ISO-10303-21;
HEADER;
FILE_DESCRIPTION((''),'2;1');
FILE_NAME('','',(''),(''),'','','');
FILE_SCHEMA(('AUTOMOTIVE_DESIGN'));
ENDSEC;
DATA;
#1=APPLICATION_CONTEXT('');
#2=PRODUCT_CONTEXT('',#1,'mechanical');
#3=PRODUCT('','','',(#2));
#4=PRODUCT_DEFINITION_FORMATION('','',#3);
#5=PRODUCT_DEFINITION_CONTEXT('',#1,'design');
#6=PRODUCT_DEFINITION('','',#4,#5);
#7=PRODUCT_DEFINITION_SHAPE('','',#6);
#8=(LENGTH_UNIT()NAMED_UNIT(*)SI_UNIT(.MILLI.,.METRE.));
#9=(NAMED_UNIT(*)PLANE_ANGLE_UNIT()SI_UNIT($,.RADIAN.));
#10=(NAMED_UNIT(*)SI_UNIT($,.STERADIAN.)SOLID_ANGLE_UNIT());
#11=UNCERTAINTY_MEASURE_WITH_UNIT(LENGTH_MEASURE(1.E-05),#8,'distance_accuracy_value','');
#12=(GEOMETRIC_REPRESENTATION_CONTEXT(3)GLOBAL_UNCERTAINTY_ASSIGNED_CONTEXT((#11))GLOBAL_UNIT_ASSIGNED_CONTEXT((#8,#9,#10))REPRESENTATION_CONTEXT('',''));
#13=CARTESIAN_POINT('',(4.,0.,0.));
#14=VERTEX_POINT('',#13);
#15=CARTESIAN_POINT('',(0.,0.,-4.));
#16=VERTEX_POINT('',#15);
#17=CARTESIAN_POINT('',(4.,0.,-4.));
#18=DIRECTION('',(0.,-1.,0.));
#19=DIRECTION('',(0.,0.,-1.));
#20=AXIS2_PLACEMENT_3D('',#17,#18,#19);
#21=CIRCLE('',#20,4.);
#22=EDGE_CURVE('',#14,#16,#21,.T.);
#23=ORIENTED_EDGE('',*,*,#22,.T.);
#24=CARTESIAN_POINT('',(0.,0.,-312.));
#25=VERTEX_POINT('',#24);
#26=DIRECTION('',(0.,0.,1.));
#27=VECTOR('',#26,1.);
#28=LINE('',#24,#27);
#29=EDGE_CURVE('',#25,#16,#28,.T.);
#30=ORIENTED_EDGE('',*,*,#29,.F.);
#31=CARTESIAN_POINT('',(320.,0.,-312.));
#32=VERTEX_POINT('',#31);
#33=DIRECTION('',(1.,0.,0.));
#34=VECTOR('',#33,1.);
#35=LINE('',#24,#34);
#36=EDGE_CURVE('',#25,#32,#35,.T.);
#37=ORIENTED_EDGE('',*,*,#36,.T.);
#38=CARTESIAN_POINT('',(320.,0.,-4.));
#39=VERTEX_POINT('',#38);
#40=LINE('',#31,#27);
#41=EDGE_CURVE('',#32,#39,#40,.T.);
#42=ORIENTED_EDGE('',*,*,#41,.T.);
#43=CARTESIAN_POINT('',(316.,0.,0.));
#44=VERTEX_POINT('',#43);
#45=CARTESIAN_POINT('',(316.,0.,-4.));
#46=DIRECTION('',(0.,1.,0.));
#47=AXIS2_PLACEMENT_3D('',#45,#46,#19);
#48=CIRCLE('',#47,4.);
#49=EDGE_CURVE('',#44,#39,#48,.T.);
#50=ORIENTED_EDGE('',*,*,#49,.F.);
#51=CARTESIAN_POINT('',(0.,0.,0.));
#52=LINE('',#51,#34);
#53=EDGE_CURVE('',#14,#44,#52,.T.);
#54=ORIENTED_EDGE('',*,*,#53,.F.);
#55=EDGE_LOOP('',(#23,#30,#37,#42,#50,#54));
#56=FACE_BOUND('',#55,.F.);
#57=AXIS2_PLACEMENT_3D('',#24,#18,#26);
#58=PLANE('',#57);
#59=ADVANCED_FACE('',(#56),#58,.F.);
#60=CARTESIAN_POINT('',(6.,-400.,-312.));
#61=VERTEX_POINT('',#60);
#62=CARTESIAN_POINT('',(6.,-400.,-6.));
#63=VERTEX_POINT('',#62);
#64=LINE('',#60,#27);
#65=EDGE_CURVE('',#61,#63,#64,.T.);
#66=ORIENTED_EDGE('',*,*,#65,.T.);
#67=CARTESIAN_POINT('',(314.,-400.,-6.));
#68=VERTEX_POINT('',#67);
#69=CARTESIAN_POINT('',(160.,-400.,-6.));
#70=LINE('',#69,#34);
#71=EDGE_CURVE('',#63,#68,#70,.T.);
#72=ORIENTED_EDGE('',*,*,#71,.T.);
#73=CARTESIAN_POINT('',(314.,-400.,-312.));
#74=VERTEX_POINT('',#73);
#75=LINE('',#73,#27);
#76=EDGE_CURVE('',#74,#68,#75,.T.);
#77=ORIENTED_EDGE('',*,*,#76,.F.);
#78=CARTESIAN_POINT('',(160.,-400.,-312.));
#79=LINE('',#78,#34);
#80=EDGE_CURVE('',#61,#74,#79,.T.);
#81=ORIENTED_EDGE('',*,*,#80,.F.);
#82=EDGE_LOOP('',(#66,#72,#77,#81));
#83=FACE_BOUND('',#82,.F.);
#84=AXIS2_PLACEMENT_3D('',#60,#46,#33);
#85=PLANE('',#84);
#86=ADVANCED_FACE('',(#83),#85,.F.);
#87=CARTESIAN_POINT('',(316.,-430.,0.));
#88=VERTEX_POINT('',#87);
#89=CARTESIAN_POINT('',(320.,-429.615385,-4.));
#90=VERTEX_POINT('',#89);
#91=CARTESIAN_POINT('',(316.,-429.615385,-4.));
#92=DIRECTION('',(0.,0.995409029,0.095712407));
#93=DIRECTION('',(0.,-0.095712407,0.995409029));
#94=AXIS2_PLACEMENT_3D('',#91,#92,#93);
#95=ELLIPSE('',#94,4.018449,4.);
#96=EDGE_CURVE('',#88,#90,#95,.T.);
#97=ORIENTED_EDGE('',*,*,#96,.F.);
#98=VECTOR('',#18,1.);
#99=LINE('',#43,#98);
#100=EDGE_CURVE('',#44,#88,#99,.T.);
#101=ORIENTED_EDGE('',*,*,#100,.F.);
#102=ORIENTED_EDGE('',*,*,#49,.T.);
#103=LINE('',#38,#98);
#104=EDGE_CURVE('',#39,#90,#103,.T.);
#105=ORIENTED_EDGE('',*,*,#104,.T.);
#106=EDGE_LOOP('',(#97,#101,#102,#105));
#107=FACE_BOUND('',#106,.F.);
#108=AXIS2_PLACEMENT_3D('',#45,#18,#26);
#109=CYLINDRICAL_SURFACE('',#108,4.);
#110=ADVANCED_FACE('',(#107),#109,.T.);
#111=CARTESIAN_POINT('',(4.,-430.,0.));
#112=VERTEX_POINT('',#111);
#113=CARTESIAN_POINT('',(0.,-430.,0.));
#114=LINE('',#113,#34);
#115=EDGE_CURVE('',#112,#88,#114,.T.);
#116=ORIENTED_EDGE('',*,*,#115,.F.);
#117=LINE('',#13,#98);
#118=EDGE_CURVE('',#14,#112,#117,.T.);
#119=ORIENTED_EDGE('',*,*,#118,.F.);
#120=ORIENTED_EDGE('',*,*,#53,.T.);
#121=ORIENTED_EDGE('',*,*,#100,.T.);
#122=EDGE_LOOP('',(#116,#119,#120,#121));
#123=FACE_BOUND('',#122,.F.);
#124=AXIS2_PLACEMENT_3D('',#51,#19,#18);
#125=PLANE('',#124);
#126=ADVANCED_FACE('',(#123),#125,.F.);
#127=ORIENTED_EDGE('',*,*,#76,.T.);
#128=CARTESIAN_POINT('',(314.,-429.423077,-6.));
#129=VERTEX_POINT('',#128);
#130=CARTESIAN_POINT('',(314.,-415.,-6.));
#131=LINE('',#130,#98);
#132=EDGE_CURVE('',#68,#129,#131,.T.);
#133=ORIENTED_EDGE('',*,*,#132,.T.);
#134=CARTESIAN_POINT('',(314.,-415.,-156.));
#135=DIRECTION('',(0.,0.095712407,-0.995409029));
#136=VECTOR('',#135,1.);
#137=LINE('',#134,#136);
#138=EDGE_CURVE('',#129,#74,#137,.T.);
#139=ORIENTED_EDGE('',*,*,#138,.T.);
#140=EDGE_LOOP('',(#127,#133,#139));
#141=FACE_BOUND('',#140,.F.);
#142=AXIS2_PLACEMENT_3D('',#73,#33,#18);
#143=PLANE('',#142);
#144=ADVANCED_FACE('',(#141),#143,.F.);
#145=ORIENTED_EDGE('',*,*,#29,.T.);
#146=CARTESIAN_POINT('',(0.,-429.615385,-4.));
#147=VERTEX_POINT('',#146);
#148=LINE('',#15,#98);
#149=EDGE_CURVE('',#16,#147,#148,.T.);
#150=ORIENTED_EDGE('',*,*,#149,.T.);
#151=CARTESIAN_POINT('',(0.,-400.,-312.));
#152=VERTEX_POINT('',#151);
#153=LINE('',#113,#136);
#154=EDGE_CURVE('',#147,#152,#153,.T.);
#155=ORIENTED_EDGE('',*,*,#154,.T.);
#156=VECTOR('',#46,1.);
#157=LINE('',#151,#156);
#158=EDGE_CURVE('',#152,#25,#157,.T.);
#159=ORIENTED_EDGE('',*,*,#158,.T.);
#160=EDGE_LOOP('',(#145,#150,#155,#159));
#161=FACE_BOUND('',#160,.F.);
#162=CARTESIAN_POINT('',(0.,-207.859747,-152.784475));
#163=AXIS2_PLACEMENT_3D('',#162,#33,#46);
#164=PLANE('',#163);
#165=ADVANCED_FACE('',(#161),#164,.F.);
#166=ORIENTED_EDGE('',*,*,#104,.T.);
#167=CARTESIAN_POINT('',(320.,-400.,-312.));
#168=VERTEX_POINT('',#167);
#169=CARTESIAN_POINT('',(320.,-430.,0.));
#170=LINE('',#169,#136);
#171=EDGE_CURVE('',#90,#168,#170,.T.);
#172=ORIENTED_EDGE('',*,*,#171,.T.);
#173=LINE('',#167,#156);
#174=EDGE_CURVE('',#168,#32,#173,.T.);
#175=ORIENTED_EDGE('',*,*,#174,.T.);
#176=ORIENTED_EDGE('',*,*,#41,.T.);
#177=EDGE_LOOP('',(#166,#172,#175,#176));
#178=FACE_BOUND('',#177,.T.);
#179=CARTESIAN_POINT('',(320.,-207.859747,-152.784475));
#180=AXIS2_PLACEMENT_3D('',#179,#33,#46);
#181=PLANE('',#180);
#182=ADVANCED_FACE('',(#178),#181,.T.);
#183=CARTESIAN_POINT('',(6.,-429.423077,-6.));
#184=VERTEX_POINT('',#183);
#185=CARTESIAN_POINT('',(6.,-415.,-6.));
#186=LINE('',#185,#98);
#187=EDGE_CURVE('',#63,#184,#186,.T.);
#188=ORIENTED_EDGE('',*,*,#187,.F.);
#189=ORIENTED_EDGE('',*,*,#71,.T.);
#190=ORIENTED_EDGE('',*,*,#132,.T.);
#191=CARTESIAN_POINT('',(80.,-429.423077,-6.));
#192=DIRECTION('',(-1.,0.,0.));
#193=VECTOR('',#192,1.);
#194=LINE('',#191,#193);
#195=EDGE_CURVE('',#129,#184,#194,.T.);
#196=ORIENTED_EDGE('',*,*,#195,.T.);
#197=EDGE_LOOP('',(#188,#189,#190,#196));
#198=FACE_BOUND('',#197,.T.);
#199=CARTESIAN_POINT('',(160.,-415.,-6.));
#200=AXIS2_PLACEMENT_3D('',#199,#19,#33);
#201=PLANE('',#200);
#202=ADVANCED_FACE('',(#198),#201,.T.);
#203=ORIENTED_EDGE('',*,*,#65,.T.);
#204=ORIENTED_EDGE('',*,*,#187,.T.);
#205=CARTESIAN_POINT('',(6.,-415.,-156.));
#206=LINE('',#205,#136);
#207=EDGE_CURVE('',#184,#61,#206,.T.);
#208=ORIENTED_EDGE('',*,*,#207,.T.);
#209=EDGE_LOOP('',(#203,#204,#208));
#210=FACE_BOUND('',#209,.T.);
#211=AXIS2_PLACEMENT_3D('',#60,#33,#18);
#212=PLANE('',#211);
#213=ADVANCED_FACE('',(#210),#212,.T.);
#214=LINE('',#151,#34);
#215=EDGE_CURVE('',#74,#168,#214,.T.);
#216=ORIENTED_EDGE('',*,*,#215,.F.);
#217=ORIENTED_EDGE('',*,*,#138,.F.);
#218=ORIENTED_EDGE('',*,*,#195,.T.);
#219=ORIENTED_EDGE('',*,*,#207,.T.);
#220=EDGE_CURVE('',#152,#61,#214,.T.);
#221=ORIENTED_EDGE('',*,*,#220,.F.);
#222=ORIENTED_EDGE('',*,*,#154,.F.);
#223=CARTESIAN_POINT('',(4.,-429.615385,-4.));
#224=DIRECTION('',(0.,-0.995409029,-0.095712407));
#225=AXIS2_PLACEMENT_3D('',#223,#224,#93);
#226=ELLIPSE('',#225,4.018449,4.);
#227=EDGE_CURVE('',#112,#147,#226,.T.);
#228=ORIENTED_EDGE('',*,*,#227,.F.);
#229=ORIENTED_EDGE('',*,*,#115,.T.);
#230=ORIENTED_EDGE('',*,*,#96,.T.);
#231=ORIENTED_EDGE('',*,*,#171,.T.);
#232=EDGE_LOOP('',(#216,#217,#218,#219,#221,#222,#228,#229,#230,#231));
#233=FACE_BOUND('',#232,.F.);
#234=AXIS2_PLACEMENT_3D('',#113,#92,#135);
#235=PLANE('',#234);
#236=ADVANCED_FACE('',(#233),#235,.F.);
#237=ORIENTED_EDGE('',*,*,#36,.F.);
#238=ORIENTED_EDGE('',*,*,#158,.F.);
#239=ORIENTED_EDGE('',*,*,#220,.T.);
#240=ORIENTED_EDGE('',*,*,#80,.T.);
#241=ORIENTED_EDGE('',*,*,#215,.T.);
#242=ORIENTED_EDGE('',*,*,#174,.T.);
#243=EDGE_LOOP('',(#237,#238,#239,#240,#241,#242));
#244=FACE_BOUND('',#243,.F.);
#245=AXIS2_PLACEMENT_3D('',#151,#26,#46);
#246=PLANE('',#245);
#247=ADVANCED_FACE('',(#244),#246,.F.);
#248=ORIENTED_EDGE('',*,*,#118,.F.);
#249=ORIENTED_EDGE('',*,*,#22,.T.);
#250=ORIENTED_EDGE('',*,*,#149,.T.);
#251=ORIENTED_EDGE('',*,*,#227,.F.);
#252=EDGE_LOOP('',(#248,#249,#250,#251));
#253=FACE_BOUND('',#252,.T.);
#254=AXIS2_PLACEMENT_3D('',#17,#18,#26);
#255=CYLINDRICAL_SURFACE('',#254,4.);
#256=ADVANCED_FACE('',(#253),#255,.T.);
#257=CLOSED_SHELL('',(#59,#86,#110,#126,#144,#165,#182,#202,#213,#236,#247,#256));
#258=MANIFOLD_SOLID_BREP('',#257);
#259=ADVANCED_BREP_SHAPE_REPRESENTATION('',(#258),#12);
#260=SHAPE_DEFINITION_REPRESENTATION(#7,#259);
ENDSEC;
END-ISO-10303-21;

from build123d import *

# Parameters (mm, degrees)
F1_DEPTH = 320
F2_W     = 308
F2_H     = 30
F3_DEPTH = 306
F4_R     = 4


with BuildPart() as f1:
    # F0 (on Right) → F1 (new body)
    with BuildSketch(Plane.YZ):
        Polygon((0, -312), (0, 0), (-430, 0), (-400, -312), align=None)
    extrude(amount=F1_DEPTH)

    # F2 (on face) → F3 (cut, through all)
    with BuildSketch(Plane(origin=(0, 0, -312), x_dir=(1, 0, 0), z_dir=(0, 0, -1))):
        with Locations((160, 415)):
            Rectangle(F2_W, F2_H)
    extrude(amount=-F3_DEPTH, mode=Mode.SUBTRACT)

    # F4
    f4_edges = [f1.edges().sort_by_distance(p)[0] for p in [
        (0, -215, 0),
        (320, -215, 0),
    ]]
    fillet(f4_edges, radius=F4_R)


solid = f1.part
